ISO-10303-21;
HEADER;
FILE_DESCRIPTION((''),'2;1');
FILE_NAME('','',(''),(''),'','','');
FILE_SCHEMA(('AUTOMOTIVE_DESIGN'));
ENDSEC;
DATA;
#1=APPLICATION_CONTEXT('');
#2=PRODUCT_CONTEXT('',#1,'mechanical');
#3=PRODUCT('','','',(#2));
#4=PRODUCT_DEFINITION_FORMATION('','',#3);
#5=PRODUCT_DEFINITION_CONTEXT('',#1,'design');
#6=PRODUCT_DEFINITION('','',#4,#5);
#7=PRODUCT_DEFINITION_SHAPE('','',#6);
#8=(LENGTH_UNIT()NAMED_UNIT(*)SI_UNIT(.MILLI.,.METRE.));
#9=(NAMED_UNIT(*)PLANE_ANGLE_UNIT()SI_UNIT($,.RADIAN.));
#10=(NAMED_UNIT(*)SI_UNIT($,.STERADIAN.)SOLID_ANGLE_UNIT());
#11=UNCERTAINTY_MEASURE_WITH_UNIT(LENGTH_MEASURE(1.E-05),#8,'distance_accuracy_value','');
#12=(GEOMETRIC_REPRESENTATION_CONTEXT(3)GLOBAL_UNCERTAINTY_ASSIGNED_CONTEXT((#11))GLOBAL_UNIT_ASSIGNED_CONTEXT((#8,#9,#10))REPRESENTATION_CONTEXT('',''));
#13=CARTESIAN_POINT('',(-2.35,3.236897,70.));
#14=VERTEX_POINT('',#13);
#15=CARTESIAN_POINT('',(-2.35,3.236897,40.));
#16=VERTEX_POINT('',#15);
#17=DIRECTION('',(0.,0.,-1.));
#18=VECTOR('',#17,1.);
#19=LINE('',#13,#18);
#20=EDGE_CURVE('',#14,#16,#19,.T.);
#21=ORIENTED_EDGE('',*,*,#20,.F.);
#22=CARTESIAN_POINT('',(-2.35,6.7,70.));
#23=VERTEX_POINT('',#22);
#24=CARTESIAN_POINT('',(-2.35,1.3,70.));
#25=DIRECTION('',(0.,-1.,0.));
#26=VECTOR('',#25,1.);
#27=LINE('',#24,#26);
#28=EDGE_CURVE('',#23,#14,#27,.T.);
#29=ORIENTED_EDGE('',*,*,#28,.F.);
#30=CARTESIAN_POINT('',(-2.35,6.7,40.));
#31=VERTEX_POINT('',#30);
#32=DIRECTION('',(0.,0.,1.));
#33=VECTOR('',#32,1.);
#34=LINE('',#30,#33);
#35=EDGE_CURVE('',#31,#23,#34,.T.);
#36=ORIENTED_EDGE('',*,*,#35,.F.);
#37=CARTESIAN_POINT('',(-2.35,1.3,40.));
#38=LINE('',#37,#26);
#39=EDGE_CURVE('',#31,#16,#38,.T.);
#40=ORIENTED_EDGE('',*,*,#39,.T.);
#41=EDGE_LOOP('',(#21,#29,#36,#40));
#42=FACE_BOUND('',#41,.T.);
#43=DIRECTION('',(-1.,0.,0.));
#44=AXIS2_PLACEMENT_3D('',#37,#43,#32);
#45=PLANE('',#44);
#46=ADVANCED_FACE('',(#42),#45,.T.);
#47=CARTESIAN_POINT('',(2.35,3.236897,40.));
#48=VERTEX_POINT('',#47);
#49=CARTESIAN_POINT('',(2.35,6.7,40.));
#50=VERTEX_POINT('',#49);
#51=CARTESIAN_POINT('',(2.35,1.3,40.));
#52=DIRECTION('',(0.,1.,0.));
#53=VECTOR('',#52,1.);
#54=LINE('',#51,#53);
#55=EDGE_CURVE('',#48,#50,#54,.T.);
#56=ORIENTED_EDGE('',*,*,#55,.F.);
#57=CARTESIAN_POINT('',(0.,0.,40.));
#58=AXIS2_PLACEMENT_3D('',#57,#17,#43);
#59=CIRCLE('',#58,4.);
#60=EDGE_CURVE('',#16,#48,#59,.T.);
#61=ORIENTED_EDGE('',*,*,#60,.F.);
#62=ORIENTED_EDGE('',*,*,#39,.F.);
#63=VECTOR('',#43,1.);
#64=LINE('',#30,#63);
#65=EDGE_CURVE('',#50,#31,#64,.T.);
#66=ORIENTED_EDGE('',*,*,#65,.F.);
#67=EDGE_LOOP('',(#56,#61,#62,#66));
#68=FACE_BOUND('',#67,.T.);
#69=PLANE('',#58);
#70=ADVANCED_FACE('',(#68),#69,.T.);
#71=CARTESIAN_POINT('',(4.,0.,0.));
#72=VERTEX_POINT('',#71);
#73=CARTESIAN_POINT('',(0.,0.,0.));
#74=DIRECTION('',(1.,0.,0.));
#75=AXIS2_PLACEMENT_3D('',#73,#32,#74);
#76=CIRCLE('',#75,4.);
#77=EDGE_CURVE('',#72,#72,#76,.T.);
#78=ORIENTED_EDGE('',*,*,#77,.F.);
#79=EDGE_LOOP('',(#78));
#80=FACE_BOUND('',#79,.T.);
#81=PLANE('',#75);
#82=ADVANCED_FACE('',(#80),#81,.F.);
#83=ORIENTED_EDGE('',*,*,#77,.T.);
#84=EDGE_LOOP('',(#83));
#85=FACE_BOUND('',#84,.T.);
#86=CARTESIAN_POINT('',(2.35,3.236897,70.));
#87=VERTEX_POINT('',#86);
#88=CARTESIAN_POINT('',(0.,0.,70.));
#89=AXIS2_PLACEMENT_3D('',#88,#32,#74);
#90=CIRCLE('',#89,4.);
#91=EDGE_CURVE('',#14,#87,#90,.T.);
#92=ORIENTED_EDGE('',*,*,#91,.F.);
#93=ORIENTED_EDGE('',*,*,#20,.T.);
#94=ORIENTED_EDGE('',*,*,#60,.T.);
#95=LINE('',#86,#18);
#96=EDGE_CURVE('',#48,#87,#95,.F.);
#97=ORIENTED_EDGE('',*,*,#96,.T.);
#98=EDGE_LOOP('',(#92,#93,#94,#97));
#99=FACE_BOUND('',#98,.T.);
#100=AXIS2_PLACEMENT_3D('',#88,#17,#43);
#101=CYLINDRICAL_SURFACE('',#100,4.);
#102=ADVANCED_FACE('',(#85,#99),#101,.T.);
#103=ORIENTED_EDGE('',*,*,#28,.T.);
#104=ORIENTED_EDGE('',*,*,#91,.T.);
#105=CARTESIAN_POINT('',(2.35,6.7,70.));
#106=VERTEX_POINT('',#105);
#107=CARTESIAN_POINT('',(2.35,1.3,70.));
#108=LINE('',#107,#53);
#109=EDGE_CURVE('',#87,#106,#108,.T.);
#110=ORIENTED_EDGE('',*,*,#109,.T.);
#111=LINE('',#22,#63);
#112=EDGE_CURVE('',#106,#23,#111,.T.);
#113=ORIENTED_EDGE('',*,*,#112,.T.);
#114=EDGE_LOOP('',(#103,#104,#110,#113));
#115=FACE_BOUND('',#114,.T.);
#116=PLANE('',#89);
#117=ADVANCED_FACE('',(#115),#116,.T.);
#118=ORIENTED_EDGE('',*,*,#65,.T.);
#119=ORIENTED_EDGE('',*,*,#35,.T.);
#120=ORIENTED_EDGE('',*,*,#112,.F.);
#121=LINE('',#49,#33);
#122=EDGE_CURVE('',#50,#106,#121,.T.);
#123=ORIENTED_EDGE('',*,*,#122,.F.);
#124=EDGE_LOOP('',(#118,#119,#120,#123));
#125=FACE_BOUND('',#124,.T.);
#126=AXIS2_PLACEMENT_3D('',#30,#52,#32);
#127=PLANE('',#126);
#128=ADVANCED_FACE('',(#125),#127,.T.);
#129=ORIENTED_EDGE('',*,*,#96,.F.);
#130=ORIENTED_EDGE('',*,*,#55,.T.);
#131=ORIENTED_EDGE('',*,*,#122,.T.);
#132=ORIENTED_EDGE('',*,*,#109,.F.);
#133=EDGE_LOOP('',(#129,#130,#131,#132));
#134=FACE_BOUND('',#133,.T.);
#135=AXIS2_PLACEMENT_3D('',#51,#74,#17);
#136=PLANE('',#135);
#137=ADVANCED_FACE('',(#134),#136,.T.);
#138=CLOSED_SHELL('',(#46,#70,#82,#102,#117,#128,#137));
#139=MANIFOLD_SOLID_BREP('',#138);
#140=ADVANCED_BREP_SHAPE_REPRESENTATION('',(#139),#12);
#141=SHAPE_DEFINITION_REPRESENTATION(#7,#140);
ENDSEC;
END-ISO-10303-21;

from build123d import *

# Parameters (mm, degrees)
SKETCH1_R           = 4
BOSS_EXTRUDE1_DEPTH = 70
SKETCH2_W           = 4.7
SKETCH2_H           = 5.4
BOSS_EXTRUDE4_DEPTH = 30


with BuildPart() as part:
    # Sketch1 → Boss-Extrude1 (new body)
    with BuildSketch(Plane.XY):
        Circle(SKETCH1_R)
    extrude(amount=BOSS_EXTRUDE1_DEPTH)

    # Sketch2 → Boss-Extrude4 (add)
    with BuildSketch(Plane.XY.offset(70)):
        with Locations((0, 4)):
            Rectangle(SKETCH2_W, SKETCH2_H)
    extrude(amount=-BOSS_EXTRUDE4_DEPTH)


solid = part.part
